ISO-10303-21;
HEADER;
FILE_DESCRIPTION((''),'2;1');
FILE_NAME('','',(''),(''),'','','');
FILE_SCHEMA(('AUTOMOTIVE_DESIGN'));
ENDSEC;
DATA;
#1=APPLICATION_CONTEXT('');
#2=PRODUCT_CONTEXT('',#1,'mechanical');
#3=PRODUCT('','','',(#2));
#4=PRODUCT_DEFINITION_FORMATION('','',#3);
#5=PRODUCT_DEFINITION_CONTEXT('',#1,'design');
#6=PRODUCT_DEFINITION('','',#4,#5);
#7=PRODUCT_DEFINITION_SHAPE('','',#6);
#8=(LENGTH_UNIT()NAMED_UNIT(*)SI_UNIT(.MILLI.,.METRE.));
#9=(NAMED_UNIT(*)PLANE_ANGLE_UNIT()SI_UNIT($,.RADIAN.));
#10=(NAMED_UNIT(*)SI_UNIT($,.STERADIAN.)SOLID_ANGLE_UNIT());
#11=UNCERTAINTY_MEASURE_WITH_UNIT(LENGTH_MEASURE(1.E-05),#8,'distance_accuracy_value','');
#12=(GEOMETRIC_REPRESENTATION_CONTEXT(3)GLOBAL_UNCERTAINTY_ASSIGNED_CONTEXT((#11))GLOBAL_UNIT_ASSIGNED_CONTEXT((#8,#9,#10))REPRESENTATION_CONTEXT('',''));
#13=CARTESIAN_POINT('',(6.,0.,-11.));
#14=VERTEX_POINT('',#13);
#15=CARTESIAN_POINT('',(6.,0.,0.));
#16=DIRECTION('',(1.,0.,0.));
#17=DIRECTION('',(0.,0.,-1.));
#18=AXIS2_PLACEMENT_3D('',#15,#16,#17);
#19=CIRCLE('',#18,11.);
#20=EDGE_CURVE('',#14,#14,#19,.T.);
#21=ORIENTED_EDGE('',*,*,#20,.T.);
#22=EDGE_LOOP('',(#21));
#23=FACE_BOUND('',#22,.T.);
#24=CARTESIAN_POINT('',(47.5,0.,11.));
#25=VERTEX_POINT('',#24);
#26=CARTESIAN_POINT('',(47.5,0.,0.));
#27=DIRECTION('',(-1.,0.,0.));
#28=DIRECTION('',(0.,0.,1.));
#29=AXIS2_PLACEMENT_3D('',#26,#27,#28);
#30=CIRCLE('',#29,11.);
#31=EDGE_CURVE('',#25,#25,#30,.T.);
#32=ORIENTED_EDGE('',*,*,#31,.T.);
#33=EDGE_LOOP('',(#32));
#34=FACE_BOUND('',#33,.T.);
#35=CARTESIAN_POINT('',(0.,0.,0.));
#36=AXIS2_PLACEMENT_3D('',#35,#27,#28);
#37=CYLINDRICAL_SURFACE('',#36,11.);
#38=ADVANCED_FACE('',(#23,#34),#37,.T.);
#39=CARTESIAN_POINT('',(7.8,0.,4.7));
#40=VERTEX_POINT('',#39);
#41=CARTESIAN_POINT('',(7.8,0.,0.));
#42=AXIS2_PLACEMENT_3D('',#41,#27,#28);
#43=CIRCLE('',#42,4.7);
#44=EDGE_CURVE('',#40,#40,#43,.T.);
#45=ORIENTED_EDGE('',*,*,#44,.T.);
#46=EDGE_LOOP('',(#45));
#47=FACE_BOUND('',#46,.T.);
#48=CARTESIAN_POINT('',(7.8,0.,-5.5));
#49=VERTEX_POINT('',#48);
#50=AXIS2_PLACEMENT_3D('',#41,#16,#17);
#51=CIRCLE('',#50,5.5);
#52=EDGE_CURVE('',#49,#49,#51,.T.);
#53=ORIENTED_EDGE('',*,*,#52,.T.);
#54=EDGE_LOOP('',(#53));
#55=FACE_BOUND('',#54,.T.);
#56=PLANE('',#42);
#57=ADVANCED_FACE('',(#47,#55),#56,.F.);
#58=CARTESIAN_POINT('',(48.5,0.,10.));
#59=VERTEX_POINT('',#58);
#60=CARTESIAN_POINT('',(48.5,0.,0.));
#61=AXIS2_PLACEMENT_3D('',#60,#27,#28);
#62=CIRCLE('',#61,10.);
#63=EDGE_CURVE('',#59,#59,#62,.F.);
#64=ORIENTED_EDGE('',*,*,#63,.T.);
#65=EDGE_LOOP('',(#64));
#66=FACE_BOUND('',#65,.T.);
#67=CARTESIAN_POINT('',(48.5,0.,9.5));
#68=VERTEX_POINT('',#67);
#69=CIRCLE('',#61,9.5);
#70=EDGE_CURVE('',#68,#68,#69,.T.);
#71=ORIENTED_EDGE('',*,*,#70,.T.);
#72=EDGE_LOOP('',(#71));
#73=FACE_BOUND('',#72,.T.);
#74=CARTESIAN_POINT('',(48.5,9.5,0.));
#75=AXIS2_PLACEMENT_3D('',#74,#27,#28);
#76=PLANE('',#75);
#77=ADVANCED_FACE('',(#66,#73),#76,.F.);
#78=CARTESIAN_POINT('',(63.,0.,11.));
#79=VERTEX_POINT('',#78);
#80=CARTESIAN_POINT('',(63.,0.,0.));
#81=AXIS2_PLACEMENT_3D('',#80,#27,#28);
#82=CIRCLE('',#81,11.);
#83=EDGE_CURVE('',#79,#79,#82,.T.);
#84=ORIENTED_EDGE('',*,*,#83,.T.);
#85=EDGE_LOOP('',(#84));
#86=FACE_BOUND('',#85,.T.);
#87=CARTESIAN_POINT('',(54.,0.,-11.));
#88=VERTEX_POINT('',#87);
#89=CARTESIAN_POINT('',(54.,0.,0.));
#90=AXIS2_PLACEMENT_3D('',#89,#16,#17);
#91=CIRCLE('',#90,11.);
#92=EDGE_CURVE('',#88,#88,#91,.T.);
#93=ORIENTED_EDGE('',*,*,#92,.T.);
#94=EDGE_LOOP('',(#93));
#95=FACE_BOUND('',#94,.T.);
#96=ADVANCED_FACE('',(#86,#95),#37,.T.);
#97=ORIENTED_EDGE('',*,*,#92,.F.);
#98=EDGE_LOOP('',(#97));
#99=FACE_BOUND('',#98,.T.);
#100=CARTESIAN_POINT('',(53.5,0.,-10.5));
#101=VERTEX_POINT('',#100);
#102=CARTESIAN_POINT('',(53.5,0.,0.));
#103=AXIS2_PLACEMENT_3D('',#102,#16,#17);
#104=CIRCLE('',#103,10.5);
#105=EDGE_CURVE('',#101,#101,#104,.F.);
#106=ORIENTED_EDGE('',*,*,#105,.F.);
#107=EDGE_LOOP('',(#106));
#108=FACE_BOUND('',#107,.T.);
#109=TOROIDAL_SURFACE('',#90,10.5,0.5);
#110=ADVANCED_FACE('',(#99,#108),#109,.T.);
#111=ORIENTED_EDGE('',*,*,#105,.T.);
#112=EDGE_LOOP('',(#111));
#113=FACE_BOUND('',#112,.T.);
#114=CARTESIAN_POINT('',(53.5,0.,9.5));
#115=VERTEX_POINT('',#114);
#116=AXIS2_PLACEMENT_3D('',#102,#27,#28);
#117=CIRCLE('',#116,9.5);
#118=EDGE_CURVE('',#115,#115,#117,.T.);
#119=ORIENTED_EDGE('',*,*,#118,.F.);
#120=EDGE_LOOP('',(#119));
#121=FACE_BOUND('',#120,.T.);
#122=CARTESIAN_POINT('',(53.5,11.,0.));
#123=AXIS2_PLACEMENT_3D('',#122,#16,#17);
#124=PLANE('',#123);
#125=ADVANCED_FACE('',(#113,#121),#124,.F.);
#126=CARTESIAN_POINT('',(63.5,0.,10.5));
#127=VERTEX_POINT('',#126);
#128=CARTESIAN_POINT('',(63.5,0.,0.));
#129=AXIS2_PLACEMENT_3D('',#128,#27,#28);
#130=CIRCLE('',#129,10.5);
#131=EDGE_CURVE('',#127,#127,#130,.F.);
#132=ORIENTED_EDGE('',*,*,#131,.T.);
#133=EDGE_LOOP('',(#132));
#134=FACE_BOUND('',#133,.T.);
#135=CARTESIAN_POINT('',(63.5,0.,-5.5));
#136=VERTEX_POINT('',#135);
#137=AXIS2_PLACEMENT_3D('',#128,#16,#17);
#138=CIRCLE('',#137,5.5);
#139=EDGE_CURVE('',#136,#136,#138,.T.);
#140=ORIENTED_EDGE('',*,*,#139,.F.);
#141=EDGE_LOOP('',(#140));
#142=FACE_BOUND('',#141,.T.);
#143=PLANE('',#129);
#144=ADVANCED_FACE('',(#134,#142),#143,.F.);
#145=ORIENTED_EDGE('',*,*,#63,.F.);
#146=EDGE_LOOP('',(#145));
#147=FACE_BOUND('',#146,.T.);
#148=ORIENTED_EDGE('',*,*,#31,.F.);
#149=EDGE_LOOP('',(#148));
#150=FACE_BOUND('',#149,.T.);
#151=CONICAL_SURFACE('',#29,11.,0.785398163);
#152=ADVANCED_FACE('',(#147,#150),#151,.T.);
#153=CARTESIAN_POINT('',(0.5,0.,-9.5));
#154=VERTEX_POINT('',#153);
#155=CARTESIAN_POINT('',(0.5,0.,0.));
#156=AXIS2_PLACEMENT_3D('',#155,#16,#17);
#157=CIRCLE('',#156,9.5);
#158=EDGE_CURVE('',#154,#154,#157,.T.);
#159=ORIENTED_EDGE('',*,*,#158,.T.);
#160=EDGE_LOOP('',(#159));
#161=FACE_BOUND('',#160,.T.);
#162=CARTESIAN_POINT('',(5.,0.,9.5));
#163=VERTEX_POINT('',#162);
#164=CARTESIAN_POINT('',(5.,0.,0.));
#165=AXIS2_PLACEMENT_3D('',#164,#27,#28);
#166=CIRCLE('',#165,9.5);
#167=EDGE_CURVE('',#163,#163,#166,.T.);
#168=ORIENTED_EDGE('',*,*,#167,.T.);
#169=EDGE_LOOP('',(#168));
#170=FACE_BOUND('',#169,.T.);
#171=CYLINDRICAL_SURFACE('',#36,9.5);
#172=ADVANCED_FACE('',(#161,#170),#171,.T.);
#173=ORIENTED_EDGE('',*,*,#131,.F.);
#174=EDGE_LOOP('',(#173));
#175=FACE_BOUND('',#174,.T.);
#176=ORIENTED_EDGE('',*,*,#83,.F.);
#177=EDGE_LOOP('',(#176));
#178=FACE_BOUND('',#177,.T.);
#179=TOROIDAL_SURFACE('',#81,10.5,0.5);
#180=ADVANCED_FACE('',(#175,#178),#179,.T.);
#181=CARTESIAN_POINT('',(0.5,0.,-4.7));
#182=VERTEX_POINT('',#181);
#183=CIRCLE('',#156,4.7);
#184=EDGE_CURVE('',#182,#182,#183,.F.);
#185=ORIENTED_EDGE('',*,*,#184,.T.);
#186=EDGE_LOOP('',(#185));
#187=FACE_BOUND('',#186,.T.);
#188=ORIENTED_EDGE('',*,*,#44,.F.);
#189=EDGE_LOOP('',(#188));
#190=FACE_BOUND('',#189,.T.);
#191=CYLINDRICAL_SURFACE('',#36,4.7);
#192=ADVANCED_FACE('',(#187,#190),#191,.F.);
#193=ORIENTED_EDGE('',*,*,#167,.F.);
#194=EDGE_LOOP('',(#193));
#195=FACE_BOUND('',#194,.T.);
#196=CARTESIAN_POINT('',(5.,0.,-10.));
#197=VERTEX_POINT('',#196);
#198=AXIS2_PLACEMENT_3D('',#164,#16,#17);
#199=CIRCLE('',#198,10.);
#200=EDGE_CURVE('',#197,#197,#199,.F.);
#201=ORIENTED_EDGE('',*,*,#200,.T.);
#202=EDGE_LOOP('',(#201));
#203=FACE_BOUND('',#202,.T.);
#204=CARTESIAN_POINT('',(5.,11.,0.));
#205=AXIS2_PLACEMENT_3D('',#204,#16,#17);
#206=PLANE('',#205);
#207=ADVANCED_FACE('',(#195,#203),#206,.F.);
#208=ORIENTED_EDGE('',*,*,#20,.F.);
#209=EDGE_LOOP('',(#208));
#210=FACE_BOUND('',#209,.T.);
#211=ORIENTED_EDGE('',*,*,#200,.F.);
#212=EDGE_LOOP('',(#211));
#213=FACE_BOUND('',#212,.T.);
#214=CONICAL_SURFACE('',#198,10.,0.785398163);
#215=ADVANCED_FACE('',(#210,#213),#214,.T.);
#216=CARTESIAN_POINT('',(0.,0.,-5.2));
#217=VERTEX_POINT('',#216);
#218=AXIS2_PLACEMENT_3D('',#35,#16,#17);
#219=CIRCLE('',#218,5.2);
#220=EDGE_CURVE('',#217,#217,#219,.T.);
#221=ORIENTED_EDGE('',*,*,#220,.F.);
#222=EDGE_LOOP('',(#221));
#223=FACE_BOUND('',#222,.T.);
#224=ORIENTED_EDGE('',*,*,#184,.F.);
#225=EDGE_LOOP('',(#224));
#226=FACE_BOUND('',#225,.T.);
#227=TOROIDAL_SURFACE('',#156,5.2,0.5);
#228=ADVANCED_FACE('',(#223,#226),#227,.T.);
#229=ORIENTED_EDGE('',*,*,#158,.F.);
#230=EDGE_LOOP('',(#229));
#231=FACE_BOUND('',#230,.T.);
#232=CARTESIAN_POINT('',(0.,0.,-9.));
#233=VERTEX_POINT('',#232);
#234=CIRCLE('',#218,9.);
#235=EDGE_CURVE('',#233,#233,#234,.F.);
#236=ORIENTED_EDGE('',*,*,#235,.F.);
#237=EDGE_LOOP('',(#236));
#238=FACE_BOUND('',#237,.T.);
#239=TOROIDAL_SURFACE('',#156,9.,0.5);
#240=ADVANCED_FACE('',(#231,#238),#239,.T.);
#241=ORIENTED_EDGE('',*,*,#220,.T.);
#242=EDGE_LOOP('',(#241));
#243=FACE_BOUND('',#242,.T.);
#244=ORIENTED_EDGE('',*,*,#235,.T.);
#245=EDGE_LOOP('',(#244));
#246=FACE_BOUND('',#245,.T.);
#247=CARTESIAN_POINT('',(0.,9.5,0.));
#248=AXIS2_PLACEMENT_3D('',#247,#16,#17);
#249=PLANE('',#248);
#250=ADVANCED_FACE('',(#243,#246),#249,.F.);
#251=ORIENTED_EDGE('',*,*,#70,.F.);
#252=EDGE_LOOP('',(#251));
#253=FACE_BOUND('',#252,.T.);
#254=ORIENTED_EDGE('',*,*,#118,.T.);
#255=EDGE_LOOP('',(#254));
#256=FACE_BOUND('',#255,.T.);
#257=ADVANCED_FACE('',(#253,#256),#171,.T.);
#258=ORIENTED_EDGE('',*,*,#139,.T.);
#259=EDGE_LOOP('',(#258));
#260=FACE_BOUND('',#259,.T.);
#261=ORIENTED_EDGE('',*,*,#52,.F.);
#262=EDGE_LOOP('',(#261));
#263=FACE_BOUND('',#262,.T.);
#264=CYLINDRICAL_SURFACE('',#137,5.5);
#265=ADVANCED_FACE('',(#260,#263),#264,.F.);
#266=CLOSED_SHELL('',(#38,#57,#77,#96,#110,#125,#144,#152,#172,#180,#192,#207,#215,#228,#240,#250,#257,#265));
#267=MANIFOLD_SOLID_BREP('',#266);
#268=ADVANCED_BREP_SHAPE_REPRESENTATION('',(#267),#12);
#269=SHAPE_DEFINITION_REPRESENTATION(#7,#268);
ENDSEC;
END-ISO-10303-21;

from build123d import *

# Parameters (mm, degrees)
FURO1_D       = 11
FURO1_DEPTH   = 55.7
FURO2_D       = 9.4
FURO2_DEPTH   = 8
FILETE2_R     = 0.5
FILETE3_R     = 0.5
FILETE4_R     = 0.5
CHANFRO1_SIZE = 1


with BuildPart() as part:
    # Esboço1 → Revolução1 (revolve)
    with BuildSketch(Plane.XY, mode=Mode.PRIVATE) as revolu_o1_sk:
        Polygon((0, 0), (63.5, 0), (63.5, 11), (53.5, 11), (53.5, 9.5), (48.5, 9.5), (48.5, 11), (5, 11), (5, 9.5), (0, 9.5), align=None)
    revolve(revolu_o1_sk.sketch.rotate(Axis((0, 0, 0), (1, 0, 0)), 90), axis=Axis((0, 0, 0), (1, 0, 0)))

    # Furo1
    with Locations(Plane(origin=(63.5, 0, 0), x_dir=(0, 0, -1), z_dir=(1, 0, 0))):
        with Locations((0, 0)):
            Hole(FURO1_D / 2, depth=FURO1_DEPTH)

    # Furo2
    with Locations(Plane.ZY):
        with Locations((0, 0)):
            Hole(FURO2_D / 2, depth=FURO2_DEPTH)

    # Filete2
    filete2_edges = [part.edges().sort_by_distance(p)[0] for p in [
        (63.5, 0, -11),
        (53.5, 0, -11),
    ]]
    fillet(filete2_edges, radius=FILETE2_R)

    # Filete3
    filete3_edges = [part.edges().sort_by_distance(p)[0] for p in [
        (0, 0, 4.7),
    ]]
    fillet(filete3_edges, radius=FILETE3_R)

    # Filete4
    filete4_edges = [part.edges().sort_by_distance(p)[0] for p in [
        (0, 0, -9.5),
    ]]
    fillet(filete4_edges, radius=FILETE4_R)

    # Chanfro1
    chanfro1_edges = [part.edges().sort_by_distance(p)[0] for p in [
        (5, 0, -11),
        (48.5, 0, -11),
    ]]
    chamfer(chanfro1_edges, length=CHANFRO1_SIZE)


solid = part.part
